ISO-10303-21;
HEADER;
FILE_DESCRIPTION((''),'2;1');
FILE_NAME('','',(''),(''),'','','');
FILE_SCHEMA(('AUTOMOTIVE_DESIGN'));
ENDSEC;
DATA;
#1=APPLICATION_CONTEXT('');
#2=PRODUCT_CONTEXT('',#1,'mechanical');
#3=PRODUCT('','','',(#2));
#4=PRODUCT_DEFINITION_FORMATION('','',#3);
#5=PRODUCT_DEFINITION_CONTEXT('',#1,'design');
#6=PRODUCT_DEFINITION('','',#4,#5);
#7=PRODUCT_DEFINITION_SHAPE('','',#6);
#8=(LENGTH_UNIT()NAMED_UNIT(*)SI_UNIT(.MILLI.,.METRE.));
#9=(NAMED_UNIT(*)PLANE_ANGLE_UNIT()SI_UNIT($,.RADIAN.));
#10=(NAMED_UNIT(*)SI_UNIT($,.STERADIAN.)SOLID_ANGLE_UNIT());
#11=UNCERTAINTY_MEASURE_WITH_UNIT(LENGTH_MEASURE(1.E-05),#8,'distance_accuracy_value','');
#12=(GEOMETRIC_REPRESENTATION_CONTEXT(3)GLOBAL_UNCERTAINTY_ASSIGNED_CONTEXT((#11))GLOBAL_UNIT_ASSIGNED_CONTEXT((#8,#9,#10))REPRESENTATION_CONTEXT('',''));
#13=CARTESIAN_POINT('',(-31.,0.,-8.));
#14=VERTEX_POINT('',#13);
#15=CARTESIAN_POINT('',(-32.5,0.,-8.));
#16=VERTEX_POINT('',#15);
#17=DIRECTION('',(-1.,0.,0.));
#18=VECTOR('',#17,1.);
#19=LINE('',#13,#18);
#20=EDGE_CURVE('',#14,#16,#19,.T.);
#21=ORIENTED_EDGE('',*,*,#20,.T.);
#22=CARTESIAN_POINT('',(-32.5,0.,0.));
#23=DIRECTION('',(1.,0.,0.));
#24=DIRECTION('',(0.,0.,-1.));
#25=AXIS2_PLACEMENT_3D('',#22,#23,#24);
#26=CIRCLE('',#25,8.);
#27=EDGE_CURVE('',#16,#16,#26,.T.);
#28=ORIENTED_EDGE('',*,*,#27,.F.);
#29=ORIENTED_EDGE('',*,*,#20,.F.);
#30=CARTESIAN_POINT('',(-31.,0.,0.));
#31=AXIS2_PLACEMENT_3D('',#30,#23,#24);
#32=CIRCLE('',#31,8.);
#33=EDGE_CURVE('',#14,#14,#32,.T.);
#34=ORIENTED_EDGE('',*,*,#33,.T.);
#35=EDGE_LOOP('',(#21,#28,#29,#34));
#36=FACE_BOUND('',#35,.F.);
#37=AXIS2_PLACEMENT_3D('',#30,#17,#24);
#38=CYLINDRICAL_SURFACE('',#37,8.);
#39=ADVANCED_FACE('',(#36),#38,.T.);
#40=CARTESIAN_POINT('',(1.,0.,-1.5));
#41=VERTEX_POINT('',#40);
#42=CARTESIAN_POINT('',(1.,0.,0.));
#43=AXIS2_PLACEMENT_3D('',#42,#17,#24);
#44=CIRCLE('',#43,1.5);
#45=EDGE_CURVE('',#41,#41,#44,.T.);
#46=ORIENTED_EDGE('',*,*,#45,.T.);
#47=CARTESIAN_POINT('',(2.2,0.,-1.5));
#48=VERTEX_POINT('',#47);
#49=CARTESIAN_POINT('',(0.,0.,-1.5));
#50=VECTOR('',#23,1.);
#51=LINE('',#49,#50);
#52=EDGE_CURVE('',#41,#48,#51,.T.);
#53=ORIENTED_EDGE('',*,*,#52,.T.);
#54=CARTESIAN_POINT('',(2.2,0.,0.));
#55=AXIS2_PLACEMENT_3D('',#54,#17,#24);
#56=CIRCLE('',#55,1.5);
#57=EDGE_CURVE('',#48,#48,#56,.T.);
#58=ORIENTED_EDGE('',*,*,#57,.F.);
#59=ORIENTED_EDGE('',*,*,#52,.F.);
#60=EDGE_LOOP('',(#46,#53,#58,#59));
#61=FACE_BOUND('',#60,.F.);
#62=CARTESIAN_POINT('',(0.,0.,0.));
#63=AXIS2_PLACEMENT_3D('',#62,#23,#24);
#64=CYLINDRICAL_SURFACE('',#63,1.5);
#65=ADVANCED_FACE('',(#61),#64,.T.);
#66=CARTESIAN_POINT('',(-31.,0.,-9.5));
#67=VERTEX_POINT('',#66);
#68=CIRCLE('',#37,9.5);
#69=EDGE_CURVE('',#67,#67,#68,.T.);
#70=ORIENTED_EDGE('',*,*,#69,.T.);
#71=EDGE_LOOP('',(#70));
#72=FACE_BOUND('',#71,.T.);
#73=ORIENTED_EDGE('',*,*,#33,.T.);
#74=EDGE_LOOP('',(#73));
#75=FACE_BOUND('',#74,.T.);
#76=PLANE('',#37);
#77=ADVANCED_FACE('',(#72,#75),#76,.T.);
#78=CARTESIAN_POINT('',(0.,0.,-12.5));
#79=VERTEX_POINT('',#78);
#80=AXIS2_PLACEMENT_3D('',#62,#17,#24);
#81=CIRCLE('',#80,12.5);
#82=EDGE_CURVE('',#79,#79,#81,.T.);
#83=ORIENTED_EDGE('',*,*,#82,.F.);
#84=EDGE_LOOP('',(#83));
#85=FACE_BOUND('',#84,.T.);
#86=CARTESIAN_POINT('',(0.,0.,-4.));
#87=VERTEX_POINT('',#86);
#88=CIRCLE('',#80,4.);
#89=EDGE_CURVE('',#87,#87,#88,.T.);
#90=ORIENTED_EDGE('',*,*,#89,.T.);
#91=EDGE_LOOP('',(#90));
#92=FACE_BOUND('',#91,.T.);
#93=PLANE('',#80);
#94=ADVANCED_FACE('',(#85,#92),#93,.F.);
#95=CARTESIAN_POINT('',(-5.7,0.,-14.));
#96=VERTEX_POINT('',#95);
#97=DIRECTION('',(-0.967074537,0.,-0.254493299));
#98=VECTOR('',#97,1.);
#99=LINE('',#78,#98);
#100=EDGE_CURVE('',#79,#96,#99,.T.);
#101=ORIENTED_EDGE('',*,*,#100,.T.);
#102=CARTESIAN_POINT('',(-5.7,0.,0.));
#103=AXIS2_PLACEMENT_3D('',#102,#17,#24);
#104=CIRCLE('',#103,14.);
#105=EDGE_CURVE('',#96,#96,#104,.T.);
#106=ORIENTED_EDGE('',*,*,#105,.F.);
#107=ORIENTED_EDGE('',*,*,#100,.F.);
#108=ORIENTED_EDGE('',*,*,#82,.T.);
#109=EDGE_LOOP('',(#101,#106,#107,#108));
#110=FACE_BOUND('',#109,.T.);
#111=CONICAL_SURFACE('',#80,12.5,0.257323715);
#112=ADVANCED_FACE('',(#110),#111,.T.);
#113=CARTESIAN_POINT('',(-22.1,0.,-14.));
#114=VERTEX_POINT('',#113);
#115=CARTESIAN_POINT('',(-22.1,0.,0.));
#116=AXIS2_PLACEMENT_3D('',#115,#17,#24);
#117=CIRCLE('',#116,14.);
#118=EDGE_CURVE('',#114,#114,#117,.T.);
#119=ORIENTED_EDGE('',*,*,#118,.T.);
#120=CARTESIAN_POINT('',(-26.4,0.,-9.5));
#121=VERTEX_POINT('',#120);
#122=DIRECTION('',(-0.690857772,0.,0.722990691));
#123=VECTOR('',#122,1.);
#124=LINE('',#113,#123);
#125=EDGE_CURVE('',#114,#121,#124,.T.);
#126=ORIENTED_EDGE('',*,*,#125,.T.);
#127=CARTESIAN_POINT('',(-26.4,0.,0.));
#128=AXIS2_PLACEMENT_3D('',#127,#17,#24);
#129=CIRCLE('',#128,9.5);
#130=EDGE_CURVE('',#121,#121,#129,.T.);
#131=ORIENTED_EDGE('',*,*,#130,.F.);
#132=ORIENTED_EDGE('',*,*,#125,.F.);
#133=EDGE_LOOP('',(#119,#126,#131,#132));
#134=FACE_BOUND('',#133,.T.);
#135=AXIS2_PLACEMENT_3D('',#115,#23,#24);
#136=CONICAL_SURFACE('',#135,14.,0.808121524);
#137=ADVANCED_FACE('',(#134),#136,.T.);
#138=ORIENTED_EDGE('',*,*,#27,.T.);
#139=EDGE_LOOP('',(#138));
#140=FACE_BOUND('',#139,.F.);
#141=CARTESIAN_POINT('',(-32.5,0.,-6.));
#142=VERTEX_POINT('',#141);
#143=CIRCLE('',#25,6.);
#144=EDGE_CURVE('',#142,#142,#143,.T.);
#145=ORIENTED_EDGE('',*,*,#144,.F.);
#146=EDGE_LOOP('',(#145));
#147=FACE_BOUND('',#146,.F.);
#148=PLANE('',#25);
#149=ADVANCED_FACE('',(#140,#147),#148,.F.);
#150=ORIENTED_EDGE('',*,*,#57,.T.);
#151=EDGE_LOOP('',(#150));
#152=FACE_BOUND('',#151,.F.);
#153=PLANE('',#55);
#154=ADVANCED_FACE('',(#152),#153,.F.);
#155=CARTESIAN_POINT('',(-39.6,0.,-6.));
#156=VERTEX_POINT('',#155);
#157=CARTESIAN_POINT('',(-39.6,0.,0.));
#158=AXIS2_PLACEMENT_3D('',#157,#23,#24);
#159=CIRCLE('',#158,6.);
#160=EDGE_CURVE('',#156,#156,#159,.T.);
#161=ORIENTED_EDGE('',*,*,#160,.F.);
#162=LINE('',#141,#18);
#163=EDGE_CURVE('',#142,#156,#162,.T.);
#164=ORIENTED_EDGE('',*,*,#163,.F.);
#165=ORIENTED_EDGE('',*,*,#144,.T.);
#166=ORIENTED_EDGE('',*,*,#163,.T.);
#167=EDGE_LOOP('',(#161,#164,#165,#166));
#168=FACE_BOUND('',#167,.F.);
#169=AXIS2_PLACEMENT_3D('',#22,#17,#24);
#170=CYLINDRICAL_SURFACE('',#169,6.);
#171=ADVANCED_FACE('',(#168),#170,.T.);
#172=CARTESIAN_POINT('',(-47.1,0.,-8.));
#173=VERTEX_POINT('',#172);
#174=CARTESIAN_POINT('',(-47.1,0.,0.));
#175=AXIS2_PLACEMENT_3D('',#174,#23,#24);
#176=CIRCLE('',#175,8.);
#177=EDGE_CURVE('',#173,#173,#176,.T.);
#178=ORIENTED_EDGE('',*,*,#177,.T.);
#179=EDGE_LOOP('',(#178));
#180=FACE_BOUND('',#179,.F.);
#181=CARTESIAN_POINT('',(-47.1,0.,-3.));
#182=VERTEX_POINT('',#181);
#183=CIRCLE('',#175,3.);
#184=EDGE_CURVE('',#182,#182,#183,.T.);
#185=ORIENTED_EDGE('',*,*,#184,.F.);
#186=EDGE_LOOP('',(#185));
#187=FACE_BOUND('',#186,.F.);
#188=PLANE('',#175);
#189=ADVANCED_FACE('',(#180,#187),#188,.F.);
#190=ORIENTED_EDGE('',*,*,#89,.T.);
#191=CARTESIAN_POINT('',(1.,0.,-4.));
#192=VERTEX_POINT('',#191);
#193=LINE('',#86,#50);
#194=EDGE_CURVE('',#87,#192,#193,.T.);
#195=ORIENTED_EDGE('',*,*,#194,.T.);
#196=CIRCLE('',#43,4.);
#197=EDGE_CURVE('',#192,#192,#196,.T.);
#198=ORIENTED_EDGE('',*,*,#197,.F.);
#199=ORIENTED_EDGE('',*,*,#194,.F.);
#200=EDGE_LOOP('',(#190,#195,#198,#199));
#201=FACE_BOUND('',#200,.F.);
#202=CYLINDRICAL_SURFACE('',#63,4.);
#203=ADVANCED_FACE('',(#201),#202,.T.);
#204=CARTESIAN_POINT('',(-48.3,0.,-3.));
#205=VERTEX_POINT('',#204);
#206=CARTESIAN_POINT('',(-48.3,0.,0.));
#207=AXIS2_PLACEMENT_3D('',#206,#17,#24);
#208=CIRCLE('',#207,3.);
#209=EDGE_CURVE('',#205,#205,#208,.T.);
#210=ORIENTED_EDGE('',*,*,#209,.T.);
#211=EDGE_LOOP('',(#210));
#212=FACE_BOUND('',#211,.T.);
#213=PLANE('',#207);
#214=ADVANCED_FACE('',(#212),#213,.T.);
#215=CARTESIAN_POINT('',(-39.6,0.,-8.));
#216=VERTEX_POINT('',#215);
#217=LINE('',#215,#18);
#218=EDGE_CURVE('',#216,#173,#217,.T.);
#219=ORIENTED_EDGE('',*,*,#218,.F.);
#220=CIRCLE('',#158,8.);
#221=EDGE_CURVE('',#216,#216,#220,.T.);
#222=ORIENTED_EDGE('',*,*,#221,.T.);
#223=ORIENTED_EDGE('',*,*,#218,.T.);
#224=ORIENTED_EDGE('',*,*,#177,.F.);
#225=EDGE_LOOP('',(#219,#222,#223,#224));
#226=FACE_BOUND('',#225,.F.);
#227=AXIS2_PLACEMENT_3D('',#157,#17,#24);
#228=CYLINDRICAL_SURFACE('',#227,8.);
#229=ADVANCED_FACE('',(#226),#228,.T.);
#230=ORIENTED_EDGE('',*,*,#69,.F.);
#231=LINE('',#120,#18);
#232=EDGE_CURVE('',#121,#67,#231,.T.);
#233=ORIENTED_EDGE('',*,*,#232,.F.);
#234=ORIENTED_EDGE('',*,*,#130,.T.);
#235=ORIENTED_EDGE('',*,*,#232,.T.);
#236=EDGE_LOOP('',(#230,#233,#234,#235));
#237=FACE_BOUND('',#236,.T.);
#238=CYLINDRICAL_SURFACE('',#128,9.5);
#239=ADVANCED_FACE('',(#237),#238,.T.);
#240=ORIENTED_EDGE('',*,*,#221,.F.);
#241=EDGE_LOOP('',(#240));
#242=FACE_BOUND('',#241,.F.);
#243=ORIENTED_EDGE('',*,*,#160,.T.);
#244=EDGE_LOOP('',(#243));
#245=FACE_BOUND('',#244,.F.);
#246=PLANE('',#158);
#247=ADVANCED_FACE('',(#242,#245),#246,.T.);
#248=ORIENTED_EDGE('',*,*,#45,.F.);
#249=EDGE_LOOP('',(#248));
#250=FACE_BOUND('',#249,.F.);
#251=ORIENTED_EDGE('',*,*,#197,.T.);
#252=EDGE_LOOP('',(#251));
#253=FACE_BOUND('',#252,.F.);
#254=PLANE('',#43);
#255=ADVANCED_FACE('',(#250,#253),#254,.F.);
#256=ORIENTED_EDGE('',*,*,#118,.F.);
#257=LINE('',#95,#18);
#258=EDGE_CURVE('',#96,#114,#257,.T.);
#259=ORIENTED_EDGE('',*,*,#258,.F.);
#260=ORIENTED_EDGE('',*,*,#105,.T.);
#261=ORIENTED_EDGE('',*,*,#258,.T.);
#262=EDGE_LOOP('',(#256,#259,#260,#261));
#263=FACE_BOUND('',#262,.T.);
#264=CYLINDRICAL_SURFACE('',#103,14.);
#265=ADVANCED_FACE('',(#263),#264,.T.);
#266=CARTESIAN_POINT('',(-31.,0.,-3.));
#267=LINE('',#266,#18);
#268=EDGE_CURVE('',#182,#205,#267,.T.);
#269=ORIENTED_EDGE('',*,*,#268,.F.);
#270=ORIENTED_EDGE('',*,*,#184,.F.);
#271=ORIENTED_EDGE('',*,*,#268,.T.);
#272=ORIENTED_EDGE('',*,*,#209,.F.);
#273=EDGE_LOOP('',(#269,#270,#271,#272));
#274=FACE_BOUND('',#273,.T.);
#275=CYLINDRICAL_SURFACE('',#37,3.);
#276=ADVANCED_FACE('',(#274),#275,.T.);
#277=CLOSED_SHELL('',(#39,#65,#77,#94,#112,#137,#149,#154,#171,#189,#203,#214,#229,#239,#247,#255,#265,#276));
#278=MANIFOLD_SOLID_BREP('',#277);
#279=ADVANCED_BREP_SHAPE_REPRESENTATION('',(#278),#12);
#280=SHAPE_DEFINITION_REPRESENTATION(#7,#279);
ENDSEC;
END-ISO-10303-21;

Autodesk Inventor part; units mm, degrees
ref_plane "YZ Plane" through (0, 0, 0) normal (1, 0, 0) x (0, 1, 0)
ref_plane "XZ Plane" through (0, 0, 0) normal (0, 1, 0) x (-1, 0, 0)
ref_plane "XY Plane" through (0, 0, 0) normal (0, 0, 1) x (1, 0, 0)
sketch "Sketch1" plane through (0, 0, 0) normal (0, 1, 0) x (-1, 0, 0)
  line L0 (0, 0) -> (0, -12.5)
  line L1 (0, 0) -> (48.3, 0)
  line L2 (0, -12.5) -> (5.7, -14)
  line L3 (5.7, -14) -> (22.1, -14)
  line L4 (22.1, -14) -> (26.4, -9.5)
  line L5 (26.4, -9.5) -> (31, -9.5)
  line L6 (31, -9.5) -> (31, -3)
  line L7 (31, -3) -> (48.3, -3)
  line L8 (48.3, -3) -> (48.3, 0)
  line L9 (0, -1.5) -> (-2.2, -1.5)
  line L10 (-2.2, -1.5) -> (-2.2, 0)
  line L11 (-2.2, 0) -> (0, 0)
  line L12 (0, 0) -> (0, -4)
  line L13 (0, -4) -> (-1, -4)
  line L14 (-1, -4) -> (-1, -1.5)
  point P0 (0, 0)
  dimension "d2" = 48.3
  dimension "d3" = 9.5
  dimension "d4" = 3
  dimension "d5" = 14
  dimension "d6" = 16.4
  dimension "d7" = 4.6
  dimension "d8" = 31
  dimension "d9" = 5.7
  dimension "d10" = 12.5
  dimension "d19" = 2.2
  dimension "d20" = 1.5
  dimension "d21" = 4
  dimension "d22" = 1
revolve "Revolution1" add sketch "Sketch1" angle 360 about axis through (0, 0, 0) along (-1, 0, 0)
sketch "Sketch2" plane through (0, 0, 0) normal (0, 1, 0) x (-1, 0, 0)
  line L0 (31, -3) -> (31, 3) projected
  line L1 (31, -9.5) -> (31, 9.5) projected
  line L2 (48.3, -3) -> (48.3, 3) projected
  line L3 (31, -8) -> (32.5, -8)
  line L4 (32.5, -8) -> (32.5, -6)
  line L5 (32.5, -6) -> (39.6, -6)
  line L6 (39.6, -6) -> (39.6, -8)
  line L7 (39.6, -8) -> (47.1, -8)
  line L8 (47.1, -8) -> (47.1, -3)
  line L9 (31, -3) -> (48.3, -3) projected
  line L10 (57.96, 0) -> (-9.66, 0) projected
  point P0 (0, 0)
  dimension "d12" = 1.5
  dimension "d13" = 6
  dimension "d14" = 7.5
  dimension "d15" = 16.1
  dimension "d16" = 8
  dimension "d17" = 8
revolve "Revolution2" add sketch "Sketch2" angle 360 about axis through (-10, 0, 0) along (1, 0, 0) contours L9 L8 L7 L6 L5 L4 L3 L1
ref_plane "Work Plane1" through (-36.05, 0, 0) normal (-1, 0, 0) x (0, 0, 1)
properties part number "Motor Inverted Pully"
